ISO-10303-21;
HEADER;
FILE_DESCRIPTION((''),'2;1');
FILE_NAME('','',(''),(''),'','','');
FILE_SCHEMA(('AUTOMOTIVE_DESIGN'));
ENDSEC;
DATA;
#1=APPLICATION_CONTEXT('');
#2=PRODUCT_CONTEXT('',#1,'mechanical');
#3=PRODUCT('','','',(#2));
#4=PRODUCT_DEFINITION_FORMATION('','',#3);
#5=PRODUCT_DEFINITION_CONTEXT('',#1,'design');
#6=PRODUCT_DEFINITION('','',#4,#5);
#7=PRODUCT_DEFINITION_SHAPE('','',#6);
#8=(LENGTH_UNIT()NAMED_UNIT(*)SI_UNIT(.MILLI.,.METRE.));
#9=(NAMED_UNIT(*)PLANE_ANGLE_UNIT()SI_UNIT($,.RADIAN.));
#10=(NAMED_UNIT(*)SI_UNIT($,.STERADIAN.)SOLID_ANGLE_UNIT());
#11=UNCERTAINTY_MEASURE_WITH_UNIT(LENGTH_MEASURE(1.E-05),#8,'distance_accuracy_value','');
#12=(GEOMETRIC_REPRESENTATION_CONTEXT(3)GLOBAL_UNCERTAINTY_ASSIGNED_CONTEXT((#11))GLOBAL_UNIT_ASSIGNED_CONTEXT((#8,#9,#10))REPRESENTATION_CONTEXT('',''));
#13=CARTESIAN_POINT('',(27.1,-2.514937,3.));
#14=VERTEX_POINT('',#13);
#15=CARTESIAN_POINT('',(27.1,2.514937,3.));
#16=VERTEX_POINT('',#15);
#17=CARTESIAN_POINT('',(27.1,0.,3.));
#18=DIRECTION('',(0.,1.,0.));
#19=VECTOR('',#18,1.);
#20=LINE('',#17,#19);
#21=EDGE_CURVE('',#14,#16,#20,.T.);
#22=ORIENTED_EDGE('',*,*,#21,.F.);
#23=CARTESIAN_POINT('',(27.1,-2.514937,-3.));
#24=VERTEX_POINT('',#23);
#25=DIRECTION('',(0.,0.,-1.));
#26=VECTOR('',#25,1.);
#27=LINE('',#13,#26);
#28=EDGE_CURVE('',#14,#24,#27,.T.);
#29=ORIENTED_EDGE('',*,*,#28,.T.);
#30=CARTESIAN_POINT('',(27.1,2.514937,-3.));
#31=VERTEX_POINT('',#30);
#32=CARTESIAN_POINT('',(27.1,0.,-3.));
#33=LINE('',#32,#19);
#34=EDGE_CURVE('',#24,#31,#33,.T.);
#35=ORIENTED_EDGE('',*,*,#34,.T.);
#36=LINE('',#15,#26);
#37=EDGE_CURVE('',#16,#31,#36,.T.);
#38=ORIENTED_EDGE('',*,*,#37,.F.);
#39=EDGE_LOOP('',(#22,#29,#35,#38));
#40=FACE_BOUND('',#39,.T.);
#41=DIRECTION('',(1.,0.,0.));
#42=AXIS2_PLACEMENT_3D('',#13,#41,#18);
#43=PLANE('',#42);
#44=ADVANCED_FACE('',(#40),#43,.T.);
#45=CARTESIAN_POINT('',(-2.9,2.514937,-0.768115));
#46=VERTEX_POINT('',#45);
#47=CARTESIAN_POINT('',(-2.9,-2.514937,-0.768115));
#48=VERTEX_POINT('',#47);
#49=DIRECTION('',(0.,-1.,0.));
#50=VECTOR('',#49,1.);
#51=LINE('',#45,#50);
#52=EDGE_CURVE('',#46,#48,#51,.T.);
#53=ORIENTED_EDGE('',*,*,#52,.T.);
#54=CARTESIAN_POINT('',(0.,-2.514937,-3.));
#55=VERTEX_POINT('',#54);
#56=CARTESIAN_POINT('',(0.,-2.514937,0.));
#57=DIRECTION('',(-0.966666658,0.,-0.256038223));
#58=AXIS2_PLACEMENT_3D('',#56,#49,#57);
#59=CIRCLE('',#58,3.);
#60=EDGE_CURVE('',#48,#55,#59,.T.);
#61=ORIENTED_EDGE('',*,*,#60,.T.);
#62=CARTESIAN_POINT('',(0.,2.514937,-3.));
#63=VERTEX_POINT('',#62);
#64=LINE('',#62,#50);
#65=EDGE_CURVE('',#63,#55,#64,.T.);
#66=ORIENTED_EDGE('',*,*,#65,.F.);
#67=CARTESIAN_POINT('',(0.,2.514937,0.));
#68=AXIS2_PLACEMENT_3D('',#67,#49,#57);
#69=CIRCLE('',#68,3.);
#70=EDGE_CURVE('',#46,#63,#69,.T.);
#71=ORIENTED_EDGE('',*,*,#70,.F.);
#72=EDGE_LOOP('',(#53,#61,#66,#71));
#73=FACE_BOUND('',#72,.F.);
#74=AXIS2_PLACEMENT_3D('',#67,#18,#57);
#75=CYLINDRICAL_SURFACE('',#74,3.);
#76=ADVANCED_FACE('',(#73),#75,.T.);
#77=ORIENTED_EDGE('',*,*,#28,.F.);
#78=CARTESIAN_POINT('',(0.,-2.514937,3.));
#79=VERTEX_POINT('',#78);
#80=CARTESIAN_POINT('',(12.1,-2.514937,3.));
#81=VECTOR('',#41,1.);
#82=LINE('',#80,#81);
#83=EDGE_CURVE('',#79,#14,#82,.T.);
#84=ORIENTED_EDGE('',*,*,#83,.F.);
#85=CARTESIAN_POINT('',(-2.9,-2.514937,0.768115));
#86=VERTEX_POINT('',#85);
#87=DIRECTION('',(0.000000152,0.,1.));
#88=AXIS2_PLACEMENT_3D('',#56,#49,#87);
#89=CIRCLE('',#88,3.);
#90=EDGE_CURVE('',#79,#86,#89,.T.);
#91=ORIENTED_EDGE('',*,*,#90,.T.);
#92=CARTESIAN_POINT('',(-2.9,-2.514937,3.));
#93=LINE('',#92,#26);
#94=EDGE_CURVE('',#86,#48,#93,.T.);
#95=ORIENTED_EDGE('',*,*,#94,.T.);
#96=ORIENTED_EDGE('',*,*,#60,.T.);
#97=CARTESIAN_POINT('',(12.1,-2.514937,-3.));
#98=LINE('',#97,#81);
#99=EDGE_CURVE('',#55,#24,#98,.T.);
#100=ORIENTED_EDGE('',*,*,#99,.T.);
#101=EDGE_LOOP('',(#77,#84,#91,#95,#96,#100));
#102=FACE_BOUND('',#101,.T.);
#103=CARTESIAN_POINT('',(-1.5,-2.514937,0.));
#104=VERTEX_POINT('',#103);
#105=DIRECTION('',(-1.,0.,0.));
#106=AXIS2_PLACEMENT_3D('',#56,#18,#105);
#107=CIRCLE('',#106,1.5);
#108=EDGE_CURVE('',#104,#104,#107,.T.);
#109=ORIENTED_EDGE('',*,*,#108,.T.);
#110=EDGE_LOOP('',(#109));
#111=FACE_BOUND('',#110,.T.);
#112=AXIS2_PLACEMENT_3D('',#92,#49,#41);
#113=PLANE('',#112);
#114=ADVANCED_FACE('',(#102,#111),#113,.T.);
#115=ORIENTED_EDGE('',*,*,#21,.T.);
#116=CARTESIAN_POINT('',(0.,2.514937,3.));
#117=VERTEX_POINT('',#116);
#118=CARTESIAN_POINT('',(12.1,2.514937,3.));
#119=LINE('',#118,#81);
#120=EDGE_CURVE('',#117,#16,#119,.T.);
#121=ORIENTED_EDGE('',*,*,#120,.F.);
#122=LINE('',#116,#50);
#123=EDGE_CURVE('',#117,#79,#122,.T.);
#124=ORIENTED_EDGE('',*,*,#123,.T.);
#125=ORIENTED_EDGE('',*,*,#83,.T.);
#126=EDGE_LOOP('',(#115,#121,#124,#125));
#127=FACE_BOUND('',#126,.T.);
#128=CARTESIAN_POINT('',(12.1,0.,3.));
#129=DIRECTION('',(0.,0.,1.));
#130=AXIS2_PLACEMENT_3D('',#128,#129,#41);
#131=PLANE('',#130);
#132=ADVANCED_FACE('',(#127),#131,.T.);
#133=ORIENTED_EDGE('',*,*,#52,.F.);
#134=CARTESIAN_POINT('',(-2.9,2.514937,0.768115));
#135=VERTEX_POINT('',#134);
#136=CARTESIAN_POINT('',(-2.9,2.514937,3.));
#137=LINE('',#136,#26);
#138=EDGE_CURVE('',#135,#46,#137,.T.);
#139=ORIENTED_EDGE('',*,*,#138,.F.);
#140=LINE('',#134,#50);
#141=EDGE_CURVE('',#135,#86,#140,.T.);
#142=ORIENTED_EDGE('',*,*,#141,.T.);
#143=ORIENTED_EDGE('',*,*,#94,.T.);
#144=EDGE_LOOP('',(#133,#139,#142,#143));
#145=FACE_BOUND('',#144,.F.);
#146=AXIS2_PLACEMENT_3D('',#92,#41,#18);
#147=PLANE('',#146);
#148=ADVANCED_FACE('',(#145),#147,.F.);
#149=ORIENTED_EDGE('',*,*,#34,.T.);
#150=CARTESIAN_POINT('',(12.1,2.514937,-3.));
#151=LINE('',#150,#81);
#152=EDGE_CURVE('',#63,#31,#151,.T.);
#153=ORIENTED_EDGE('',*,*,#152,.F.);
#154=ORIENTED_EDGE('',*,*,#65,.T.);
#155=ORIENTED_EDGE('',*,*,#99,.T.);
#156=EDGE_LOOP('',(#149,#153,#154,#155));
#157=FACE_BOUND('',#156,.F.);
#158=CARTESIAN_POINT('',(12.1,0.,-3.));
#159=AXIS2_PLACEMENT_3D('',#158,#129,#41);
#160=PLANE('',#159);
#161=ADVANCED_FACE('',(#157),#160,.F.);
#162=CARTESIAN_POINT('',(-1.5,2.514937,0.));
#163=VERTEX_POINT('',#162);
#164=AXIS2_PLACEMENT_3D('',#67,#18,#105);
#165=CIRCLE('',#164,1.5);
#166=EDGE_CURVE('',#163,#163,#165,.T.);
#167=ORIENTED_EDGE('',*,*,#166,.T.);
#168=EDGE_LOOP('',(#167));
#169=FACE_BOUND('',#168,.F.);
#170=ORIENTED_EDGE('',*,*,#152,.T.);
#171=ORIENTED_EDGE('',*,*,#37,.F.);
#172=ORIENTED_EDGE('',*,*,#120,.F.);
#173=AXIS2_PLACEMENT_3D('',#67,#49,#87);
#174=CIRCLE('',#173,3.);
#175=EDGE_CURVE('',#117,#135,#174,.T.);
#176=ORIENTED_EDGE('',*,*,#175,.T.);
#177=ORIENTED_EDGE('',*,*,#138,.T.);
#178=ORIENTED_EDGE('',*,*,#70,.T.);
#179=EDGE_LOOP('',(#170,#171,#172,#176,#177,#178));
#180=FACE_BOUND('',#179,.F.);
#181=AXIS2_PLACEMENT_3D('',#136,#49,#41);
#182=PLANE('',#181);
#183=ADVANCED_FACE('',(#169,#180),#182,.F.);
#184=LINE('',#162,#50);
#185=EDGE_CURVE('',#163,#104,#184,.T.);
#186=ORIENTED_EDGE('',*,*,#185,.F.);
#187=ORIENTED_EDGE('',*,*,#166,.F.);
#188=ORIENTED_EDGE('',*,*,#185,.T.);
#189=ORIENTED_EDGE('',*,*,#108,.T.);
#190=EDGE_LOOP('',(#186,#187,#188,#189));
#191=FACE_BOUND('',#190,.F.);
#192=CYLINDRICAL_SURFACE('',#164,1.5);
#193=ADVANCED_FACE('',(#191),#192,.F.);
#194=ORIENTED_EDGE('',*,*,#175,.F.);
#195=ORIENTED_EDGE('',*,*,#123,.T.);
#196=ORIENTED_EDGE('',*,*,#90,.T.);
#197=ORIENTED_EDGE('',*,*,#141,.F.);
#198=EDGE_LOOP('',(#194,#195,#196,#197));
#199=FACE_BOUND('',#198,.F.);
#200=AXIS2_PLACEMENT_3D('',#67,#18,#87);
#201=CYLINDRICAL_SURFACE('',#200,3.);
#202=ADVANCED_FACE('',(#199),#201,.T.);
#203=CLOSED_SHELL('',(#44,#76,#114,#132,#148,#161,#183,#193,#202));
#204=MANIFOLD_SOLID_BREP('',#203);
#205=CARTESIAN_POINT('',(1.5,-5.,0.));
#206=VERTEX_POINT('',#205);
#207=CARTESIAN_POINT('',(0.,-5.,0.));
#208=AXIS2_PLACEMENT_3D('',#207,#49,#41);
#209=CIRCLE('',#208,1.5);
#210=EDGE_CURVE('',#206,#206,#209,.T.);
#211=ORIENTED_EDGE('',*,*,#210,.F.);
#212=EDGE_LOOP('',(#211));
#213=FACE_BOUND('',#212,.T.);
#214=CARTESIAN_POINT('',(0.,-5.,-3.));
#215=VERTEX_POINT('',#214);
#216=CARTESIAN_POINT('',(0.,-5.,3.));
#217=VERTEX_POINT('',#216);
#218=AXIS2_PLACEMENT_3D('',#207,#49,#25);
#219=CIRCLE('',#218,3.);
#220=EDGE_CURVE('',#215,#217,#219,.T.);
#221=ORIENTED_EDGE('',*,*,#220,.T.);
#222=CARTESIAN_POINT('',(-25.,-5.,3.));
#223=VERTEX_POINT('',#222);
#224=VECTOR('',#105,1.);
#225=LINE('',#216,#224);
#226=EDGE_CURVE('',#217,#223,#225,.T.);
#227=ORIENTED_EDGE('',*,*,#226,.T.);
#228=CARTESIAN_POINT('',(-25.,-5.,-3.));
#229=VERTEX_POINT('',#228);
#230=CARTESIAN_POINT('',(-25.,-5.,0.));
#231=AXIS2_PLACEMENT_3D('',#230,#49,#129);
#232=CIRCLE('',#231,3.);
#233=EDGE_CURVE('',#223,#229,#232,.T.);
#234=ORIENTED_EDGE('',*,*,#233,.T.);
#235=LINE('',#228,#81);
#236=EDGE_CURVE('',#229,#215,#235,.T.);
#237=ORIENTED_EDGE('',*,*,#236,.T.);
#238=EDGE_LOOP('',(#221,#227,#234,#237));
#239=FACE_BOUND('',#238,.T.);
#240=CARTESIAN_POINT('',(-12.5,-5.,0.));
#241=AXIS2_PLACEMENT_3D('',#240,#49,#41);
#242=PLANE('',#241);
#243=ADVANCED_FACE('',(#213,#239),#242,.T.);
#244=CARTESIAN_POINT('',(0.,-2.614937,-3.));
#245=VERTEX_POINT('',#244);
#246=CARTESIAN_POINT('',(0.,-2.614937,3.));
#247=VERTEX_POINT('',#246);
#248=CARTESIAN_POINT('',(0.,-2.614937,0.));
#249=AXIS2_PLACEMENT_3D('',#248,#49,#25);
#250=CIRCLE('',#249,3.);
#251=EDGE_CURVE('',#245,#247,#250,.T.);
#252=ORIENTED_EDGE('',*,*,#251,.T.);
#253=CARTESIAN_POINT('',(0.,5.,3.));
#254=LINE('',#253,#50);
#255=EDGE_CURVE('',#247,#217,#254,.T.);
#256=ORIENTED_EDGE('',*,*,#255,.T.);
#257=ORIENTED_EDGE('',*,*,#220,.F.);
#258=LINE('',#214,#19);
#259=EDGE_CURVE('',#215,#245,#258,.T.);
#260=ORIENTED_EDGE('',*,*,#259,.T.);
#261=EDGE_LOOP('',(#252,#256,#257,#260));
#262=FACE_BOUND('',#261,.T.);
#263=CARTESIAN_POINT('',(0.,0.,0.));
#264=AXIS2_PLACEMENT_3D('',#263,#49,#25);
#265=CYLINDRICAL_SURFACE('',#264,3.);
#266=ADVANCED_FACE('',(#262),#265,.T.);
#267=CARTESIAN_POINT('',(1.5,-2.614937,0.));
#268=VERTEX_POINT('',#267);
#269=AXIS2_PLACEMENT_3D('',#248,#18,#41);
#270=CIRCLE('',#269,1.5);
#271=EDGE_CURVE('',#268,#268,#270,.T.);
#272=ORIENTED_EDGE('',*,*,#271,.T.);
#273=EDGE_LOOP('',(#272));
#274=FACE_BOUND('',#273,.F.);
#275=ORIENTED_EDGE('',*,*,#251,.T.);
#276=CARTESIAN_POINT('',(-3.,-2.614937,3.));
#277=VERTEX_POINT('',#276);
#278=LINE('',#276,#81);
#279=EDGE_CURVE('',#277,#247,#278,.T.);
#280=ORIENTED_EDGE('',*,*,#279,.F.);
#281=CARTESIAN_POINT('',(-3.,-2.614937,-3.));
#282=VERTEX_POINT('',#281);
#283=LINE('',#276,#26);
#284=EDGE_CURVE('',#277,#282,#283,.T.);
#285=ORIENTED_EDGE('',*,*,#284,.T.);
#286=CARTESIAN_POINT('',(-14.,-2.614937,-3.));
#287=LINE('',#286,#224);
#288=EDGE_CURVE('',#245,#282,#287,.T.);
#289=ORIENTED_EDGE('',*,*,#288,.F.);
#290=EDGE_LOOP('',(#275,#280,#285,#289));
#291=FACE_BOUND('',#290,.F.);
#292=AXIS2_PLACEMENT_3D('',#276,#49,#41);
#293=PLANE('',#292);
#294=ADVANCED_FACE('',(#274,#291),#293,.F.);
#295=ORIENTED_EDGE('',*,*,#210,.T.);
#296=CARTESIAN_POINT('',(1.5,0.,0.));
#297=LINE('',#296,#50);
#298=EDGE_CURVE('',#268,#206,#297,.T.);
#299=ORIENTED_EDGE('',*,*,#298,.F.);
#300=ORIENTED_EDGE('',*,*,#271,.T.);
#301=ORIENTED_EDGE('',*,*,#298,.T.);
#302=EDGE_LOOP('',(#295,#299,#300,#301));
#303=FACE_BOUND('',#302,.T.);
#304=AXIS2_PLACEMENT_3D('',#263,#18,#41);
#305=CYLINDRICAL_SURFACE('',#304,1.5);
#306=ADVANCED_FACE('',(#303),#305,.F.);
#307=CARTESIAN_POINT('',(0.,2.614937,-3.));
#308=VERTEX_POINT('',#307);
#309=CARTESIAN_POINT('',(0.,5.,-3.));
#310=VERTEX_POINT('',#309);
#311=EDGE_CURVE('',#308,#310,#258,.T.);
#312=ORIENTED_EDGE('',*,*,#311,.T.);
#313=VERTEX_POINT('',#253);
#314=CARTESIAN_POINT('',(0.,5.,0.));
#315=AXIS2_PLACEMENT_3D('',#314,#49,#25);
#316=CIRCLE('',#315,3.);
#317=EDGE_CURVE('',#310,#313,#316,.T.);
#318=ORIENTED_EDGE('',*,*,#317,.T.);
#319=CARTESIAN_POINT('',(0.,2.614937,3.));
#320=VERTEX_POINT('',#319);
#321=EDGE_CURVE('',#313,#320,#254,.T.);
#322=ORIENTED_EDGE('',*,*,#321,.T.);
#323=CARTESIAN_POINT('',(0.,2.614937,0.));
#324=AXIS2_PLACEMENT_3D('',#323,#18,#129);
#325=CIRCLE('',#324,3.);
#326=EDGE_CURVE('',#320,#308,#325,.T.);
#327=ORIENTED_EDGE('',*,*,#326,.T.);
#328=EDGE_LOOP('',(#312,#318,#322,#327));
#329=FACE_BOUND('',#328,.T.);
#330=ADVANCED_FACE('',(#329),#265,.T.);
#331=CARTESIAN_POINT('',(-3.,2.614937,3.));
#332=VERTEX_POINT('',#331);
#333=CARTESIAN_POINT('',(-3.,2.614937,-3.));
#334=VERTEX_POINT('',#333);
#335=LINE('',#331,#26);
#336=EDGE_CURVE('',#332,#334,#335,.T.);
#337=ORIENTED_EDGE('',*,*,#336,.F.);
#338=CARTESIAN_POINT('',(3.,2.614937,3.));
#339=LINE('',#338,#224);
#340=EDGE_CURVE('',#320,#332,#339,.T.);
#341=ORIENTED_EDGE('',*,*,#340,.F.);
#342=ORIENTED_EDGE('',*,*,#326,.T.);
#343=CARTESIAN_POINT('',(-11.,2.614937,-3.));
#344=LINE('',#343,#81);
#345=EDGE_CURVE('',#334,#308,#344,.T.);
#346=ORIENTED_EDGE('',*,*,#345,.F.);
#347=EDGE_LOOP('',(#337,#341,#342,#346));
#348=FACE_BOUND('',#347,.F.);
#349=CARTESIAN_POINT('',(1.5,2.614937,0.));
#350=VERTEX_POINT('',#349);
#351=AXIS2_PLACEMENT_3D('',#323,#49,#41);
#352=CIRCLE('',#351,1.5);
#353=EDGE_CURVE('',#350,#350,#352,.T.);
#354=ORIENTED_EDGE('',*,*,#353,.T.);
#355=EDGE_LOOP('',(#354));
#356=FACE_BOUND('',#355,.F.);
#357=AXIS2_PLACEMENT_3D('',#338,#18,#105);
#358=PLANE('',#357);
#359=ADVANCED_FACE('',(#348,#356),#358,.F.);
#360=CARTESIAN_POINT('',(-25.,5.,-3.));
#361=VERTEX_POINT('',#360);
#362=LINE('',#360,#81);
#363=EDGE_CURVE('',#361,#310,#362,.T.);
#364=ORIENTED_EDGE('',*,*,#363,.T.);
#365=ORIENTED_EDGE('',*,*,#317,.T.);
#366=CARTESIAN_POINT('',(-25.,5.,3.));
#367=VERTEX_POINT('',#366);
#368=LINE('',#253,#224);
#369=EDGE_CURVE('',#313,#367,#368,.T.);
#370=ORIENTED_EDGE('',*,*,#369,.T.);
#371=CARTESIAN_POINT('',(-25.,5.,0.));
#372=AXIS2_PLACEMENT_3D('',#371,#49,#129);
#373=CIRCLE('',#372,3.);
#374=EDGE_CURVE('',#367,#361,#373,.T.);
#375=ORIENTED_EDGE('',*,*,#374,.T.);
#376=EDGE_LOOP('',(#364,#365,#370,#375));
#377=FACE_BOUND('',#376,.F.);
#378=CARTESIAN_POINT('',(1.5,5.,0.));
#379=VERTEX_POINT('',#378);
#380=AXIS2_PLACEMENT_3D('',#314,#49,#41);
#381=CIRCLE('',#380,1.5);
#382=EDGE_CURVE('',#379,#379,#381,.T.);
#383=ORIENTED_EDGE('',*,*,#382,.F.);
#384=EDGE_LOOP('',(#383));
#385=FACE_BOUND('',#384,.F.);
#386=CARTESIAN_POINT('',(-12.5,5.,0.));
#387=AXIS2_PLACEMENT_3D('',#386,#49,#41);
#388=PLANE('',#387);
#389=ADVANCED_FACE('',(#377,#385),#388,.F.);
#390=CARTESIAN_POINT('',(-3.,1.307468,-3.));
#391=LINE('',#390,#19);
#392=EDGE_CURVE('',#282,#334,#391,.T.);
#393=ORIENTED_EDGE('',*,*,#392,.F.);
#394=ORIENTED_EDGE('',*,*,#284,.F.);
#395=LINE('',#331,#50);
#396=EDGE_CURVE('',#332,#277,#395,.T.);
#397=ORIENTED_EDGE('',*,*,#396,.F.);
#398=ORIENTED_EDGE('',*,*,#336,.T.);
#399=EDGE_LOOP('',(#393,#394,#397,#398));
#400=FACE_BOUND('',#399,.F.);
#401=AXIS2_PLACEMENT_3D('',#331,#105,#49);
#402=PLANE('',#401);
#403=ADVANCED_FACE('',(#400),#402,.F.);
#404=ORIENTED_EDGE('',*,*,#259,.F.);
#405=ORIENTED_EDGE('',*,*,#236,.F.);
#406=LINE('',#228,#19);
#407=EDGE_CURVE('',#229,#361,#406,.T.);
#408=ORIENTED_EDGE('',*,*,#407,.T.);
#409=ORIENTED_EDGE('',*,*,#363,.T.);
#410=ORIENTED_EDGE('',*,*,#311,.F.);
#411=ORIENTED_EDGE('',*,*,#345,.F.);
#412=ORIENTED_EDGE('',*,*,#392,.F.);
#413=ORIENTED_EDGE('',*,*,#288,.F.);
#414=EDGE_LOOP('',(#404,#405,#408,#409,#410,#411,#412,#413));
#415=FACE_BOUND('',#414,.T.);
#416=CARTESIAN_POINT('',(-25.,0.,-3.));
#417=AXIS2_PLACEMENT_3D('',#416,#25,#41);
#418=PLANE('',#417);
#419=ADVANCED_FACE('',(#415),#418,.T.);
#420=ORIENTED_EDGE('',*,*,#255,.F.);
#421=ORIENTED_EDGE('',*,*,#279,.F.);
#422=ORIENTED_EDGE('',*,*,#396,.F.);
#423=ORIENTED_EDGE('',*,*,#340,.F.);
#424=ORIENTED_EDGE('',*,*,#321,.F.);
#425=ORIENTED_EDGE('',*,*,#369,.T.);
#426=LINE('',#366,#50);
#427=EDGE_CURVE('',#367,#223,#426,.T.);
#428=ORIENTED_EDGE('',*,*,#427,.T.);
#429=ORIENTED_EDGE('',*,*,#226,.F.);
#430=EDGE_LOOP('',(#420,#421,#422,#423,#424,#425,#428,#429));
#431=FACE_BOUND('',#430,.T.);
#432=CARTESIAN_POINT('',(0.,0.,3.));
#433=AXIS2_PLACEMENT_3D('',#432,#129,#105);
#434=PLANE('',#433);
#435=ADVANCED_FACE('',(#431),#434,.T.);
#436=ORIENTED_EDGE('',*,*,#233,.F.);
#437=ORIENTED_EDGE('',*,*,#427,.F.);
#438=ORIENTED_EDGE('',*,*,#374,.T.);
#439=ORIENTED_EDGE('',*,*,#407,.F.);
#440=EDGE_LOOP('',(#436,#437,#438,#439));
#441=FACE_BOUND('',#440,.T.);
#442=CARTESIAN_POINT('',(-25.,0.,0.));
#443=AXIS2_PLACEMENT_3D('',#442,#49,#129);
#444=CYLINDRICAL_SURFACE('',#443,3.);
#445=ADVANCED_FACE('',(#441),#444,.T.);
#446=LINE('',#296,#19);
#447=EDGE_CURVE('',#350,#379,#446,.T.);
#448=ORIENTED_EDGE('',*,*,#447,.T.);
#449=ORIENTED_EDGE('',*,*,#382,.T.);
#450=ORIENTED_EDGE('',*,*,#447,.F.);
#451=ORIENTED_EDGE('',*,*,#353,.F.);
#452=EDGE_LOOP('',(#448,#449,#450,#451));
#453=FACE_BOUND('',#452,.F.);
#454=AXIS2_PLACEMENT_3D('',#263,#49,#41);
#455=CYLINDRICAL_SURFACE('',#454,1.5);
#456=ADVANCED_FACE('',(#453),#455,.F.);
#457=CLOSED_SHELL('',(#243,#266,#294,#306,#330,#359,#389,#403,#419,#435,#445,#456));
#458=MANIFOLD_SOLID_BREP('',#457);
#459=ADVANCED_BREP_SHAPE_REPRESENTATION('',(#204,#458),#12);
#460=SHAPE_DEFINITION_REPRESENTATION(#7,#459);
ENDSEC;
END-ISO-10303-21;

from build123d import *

# Parameters (mm, degrees)
F0_R          = 1.5
F1_DEPTH      = 5
F1_DEPTH_BACK = 5
F2_W          = 3
F2_H          = 5.229874
F3_DEPTH      = 25
F4_W          = 30
F4_H          = 5.029874
F5_DEPTH      = 6
F6_R          = 1.5
F7_DEPTH      = 5.029874


with BuildPart() as f1:
    # F0 (on Front) → F1 (new body, two sides)
    with BuildSketch(Plane.XZ) as f1_sk:
        with BuildLine():
            ThreePointArc((0, -3), (3, 0), (0, 3))
            Line((0, 3), (-25, 3))
            ThreePointArc((-25, 3), (-28, 0), (-25, -3))
            Line((-25, -3), (0, -3))
        make_face()
        Circle(F0_R, mode=Mode.SUBTRACT)
    extrude(amount=F1_DEPTH)
    extrude(f1_sk.sketch, amount=-F1_DEPTH_BACK)

    # F2 (on face) → F3 (cut)
    with BuildSketch(Plane.XY.offset(3)):
        Polygon((0, -2.614937), (0, 2.614937), (-3, 2.614937), (-3, 0), (-3, -2.614937), align=None)
        with Locations((1.5, 0)):
            Rectangle(F2_W, F2_H)
    extrude(amount=-F3_DEPTH, mode=Mode.SUBTRACT)


with BuildPart() as f5:
    # F4 (on face) → F5 (new body, through all)
    with BuildSketch(Plane.XY.offset(3)):
        with Locations((12.1, 0)):
            Rectangle(F4_W, F4_H)
    extrude(amount=-F5_DEPTH)

    # F6 (on face) → F7 (cut, through all)
    with BuildSketch(Plane(origin=(0, 2.514937, 0), x_dir=(-1, 0, 0), z_dir=(0, 1, 0))):
        Circle(F6_R)
        with BuildLine():
            Line((2.9, 3), (0, 3))
            ThreePointArc((0, 3), (1.829707, 2.37743), (2.9, 0.768115))
            Line((2.9, 0.768115), (2.9, 3))
        make_face()
        with BuildLine():
            Line((2.9, -3), (2.9, -0.768115))
            ThreePointArc((2.9, -0.768115), (1.829707, -2.37743), (0, -3))
            Line((0, -3), (2.9, -3))
        make_face()
    extrude(amount=-F7_DEPTH, mode=Mode.SUBTRACT)


solid = Compound([f1.part, f5.part])
